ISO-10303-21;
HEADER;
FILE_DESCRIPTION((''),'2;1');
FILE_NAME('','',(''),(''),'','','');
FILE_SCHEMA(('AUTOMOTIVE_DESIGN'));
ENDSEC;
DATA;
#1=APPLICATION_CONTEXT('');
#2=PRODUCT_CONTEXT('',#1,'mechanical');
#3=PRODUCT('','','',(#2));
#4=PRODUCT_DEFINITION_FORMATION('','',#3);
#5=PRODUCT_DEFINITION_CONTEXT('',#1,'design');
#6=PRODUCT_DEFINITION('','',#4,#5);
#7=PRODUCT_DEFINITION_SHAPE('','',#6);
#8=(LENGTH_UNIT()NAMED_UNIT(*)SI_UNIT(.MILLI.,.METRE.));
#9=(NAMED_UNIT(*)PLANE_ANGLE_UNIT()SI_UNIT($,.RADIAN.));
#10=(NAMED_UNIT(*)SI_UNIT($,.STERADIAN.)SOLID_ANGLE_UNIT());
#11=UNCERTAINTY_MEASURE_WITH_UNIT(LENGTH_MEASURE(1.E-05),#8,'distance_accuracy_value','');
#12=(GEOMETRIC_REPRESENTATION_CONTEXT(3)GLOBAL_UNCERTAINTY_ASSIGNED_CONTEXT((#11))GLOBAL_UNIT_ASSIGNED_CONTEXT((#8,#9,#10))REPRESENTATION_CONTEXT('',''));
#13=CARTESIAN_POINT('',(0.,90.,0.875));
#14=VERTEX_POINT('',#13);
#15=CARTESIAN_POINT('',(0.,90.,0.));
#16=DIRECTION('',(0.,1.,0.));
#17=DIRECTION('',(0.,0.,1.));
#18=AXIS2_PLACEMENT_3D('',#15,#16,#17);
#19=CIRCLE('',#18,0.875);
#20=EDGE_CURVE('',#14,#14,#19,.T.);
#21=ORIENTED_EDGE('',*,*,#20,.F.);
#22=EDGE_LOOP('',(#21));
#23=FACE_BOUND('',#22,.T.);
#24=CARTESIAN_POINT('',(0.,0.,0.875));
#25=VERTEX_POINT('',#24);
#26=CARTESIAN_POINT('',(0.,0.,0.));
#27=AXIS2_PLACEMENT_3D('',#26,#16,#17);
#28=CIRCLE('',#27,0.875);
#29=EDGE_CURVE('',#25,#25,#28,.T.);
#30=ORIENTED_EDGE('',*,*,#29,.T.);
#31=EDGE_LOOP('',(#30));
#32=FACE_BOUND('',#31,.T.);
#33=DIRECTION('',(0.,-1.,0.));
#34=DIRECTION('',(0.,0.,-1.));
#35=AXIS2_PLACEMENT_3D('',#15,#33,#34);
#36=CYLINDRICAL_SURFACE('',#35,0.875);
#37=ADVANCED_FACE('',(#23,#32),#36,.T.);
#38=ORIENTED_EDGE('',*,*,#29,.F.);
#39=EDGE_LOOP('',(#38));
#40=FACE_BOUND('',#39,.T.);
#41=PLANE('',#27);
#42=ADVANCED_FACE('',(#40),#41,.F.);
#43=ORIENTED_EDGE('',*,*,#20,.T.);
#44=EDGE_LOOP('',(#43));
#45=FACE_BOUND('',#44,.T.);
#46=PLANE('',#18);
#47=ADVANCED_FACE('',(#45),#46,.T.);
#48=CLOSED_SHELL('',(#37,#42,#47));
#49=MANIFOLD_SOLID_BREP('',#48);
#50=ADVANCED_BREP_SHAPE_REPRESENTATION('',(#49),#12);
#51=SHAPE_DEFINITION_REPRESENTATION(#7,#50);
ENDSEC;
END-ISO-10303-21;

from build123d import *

# Parameters (mm, degrees)
SKETCH1_R           = 0.875
BOSS_EXTRUDE1_DEPTH = 90


with BuildPart() as part:
    # Sketch1 → Boss-Extrude1 (new body)
    with BuildSketch(Plane(origin=(0, 0, 0), x_dir=(1, 0, 0), z_dir=(0, 1, 0))):
        Circle(SKETCH1_R)
    extrude(amount=BOSS_EXTRUDE1_DEPTH)


solid = part.part
